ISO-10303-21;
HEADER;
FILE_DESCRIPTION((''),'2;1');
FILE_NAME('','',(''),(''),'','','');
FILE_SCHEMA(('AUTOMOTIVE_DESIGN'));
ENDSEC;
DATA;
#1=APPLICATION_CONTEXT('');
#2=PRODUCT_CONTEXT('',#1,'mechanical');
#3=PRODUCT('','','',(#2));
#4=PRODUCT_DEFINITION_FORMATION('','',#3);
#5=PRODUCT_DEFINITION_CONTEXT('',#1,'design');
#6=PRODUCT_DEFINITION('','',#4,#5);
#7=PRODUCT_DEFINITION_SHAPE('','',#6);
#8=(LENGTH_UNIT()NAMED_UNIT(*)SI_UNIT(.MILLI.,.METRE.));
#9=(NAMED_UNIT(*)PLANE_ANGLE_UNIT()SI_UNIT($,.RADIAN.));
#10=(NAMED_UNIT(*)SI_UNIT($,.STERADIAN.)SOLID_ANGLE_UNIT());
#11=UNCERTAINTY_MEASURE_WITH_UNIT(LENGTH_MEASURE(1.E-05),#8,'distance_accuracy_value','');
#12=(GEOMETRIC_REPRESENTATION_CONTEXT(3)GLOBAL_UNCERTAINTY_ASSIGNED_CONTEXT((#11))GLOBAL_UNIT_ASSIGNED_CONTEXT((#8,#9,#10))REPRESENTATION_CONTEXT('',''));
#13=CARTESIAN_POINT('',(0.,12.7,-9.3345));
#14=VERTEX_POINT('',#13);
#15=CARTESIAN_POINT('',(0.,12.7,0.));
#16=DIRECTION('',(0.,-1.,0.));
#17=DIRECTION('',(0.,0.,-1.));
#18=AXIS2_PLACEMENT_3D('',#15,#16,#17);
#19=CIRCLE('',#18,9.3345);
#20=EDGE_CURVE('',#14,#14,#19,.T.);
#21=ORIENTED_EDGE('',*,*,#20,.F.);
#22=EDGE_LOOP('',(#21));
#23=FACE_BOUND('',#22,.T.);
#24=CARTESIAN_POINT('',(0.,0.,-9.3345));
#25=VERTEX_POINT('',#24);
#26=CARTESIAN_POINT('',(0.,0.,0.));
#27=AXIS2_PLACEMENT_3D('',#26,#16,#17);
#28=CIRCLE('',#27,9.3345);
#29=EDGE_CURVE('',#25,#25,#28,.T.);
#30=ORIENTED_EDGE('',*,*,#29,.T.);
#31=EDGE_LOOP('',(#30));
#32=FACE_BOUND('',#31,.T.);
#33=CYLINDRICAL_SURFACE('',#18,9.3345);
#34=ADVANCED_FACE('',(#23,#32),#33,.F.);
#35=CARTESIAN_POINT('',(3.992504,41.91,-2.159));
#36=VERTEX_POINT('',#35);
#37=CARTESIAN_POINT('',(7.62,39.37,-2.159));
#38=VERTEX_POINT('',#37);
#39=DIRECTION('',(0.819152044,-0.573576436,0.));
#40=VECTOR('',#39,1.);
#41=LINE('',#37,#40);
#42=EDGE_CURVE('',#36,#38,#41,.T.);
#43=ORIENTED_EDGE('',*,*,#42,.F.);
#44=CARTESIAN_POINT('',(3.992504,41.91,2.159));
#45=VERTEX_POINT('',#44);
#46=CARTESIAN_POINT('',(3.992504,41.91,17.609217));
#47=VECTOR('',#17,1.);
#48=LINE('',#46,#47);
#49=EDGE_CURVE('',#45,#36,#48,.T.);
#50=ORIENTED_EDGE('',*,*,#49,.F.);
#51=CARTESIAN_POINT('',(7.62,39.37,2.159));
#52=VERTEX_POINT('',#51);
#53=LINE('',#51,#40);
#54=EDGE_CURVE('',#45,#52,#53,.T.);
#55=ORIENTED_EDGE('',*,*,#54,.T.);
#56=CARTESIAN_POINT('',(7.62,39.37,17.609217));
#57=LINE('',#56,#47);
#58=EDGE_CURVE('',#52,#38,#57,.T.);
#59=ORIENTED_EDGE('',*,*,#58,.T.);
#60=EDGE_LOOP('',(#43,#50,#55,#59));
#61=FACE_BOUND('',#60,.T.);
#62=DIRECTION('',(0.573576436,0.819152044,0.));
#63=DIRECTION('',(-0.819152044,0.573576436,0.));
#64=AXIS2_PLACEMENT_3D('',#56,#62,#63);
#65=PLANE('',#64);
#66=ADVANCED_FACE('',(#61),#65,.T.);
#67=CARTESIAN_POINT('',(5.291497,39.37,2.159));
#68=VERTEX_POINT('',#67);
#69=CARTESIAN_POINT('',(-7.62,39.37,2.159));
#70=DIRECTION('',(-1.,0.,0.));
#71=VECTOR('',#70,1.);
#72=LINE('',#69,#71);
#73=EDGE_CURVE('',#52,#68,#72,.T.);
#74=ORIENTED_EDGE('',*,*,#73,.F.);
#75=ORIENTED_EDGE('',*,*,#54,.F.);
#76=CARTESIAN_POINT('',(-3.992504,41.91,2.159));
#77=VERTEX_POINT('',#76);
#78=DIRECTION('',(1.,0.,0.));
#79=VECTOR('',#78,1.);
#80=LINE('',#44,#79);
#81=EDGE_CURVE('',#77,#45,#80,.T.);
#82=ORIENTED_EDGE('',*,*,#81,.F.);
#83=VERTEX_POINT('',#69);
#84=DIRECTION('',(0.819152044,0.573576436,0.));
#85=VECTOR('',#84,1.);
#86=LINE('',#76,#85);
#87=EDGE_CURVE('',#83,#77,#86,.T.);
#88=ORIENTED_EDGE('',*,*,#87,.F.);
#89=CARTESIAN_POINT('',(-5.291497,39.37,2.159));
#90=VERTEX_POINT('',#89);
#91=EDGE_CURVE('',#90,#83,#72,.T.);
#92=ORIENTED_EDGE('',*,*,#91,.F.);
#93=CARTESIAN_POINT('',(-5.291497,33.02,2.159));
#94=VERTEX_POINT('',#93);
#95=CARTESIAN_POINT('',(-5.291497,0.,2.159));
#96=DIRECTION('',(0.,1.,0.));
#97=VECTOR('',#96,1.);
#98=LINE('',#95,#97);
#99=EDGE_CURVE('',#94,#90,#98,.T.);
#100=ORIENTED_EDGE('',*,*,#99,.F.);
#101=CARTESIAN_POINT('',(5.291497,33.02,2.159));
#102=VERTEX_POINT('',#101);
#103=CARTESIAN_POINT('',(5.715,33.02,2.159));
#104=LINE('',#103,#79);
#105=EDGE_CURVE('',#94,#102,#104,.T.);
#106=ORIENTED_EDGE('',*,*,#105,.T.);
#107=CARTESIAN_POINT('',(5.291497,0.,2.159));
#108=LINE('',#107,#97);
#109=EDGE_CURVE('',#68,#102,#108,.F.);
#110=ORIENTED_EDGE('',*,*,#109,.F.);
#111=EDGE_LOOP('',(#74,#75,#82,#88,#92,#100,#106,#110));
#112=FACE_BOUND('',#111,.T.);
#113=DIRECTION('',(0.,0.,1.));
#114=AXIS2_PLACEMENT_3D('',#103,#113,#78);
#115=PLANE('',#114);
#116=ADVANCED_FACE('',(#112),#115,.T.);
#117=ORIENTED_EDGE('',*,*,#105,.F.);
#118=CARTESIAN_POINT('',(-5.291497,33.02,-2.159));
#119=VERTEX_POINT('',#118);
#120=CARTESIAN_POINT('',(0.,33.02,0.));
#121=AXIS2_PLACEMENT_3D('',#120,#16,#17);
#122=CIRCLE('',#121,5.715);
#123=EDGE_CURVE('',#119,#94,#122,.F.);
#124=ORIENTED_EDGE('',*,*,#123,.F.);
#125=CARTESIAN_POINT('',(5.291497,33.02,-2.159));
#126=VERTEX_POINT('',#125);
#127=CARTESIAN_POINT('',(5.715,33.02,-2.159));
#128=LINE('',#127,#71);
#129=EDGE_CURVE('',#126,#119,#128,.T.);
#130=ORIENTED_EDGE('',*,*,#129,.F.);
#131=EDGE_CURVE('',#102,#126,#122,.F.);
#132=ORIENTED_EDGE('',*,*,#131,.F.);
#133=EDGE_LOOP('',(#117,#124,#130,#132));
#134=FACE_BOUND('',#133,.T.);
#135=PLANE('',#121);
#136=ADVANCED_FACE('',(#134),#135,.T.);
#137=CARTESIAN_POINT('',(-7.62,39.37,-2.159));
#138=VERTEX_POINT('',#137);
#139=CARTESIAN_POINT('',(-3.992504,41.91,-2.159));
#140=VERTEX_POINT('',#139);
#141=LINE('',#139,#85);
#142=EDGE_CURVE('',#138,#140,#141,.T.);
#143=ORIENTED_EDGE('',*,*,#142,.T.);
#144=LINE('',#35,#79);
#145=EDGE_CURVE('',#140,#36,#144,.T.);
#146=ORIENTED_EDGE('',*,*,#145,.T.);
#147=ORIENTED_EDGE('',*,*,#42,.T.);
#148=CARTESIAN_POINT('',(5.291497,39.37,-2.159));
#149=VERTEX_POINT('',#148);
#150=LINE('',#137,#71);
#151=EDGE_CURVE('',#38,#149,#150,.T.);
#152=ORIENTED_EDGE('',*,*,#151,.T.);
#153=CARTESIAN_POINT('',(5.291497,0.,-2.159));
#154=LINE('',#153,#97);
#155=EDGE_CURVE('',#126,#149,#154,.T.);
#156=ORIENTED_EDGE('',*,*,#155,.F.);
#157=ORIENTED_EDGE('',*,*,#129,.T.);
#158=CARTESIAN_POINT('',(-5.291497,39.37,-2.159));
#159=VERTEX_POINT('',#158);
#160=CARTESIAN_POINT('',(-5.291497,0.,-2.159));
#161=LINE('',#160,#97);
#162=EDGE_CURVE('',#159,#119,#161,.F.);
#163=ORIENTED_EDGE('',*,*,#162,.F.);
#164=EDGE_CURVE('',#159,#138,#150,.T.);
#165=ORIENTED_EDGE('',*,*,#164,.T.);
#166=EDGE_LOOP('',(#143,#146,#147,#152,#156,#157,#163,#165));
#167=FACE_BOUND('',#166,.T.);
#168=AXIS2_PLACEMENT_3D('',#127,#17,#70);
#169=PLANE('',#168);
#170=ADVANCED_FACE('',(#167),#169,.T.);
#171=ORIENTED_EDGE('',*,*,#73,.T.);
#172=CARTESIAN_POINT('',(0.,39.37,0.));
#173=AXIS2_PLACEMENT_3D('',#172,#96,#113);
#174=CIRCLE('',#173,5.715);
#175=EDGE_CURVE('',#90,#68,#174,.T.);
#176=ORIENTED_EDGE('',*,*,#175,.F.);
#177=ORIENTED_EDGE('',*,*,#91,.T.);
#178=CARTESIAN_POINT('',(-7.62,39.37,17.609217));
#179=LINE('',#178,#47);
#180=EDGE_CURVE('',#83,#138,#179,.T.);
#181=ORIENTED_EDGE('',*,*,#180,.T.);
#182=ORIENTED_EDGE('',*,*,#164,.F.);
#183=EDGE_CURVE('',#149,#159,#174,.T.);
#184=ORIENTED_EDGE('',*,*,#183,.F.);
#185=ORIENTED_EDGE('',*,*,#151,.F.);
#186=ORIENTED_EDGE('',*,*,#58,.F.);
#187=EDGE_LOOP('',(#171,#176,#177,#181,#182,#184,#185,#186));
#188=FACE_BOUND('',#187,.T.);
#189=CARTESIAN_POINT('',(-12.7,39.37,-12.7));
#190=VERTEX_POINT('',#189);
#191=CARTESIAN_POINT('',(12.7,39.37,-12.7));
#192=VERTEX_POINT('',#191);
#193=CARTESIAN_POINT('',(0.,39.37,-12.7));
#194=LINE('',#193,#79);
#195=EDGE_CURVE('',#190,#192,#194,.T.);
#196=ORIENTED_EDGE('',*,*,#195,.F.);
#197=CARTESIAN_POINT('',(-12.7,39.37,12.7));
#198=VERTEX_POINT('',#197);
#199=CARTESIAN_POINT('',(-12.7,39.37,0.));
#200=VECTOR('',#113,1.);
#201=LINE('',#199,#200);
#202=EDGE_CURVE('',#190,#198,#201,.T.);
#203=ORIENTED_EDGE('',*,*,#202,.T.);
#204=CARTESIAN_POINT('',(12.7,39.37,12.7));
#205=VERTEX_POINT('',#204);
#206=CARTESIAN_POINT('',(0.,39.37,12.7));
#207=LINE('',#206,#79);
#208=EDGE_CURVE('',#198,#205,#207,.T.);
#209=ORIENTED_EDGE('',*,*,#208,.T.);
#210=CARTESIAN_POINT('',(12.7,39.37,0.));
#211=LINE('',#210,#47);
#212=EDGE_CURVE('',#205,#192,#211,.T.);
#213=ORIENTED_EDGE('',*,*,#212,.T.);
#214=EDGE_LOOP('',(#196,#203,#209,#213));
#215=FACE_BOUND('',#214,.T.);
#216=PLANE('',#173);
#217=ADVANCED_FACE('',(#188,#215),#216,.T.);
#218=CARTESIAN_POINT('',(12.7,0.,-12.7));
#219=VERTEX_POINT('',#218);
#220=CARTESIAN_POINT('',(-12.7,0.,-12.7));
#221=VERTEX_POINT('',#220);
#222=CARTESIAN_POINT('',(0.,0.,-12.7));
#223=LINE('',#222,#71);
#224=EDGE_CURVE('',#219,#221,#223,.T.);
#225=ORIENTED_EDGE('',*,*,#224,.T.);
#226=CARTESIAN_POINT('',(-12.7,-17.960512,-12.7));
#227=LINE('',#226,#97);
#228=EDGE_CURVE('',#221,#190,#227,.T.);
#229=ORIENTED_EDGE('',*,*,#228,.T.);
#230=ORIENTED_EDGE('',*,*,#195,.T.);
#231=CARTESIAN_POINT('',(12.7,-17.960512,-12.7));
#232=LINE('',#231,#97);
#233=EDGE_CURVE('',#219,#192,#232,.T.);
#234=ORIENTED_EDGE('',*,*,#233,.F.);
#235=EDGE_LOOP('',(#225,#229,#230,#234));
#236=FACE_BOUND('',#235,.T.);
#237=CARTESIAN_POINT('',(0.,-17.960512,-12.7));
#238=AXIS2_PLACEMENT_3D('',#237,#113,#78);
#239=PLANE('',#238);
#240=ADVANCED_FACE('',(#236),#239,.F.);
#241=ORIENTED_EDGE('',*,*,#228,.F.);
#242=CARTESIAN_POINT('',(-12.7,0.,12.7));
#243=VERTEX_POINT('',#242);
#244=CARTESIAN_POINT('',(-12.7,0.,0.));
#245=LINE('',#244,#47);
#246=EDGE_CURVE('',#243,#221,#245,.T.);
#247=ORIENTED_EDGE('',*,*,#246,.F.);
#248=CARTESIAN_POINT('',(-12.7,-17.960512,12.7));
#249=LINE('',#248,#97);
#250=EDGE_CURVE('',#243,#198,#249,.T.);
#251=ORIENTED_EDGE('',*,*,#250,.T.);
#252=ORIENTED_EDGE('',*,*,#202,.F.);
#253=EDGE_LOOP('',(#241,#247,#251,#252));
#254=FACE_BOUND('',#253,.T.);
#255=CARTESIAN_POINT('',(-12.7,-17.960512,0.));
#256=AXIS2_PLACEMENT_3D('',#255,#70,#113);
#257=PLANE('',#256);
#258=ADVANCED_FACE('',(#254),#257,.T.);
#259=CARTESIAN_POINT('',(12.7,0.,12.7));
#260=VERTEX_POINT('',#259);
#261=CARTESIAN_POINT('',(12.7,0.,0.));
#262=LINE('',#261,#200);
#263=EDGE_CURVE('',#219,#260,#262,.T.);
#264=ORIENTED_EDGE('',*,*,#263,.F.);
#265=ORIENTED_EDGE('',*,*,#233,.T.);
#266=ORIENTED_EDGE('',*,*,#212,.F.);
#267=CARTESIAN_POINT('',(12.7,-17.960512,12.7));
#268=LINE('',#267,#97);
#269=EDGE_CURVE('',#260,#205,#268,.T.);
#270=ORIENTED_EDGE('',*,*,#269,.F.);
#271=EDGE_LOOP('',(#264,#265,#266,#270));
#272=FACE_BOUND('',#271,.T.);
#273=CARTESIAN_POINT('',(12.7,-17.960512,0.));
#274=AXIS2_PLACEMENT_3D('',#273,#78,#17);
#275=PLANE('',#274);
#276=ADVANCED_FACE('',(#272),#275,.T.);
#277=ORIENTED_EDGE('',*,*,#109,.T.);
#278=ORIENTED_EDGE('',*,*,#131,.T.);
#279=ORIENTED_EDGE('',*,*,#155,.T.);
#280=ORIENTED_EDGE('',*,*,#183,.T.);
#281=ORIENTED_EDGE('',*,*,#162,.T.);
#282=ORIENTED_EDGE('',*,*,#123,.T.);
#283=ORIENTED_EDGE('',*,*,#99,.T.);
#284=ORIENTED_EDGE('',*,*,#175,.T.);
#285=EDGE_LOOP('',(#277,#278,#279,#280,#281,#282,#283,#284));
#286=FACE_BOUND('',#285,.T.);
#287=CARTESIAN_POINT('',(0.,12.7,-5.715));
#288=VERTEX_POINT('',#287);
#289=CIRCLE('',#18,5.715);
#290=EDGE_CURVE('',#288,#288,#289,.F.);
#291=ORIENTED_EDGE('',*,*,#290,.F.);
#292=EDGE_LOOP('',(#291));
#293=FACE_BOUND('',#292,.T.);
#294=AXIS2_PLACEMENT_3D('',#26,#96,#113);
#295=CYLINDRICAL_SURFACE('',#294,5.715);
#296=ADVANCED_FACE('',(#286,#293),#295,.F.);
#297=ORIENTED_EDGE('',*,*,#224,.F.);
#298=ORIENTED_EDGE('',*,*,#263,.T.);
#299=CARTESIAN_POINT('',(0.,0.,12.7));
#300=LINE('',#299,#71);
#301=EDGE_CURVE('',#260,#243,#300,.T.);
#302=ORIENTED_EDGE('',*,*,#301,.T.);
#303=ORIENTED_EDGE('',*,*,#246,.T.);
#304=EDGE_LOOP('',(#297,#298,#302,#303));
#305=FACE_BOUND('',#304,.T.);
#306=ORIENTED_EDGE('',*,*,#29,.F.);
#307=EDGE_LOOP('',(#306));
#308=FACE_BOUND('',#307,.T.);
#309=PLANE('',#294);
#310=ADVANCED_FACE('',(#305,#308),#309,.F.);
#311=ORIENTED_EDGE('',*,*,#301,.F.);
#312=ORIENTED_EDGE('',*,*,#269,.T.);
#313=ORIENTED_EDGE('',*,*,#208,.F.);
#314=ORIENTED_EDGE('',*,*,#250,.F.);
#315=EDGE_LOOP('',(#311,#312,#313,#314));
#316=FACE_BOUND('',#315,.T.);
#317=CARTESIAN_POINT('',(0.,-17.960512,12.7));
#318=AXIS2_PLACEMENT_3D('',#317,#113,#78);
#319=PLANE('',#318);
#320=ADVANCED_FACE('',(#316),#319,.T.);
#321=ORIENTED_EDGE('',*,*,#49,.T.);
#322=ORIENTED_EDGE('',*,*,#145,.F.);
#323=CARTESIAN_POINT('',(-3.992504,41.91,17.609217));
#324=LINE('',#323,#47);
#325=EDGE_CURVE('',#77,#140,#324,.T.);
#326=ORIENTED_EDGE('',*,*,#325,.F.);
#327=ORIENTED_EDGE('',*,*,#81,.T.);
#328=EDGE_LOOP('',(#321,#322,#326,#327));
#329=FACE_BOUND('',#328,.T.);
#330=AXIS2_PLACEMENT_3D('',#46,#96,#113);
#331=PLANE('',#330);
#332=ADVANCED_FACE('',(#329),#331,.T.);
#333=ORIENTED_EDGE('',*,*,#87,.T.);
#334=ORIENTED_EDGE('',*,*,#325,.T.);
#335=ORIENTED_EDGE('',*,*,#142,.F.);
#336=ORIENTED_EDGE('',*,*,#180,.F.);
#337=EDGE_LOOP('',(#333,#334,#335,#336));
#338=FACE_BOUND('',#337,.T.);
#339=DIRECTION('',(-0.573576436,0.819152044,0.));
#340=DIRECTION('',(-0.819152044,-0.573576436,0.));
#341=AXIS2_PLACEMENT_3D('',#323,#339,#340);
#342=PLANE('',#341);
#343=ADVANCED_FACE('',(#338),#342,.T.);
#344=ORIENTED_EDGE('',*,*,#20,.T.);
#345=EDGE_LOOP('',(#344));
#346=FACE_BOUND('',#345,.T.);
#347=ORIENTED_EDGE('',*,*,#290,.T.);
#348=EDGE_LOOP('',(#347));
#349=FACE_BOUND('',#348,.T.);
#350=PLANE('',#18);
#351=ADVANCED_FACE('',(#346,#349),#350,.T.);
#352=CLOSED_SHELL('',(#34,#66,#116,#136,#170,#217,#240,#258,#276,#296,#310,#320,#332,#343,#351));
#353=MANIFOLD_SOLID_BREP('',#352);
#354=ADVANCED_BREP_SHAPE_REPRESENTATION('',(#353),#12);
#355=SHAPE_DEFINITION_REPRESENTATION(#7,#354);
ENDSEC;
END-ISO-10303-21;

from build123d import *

# Parameters (mm, degrees)
SKETCH1_R           = 12.7
BOSS_EXTRUDE1_DEPTH = 38.1
SKETCH2_R           = 5.715
CUT_EXTRUDE1_DEPTH  = 43.121134838
SKETCH3_R           = 9.3345
CUT_EXTRUDE2_DEPTH  = 12.7
SKETCH4_R           = 12.7
SKETCH4_R_2         = 5.715
BOSS_EXTRUDE2_DEPTH = 1.27
SKETCH5_W           = 11.43
SKETCH5_H           = 4.318
BOSS_EXTRUDE3_DEPTH = 6.35
BOSS_EXTRUDE4_DEPTH = 4.318
BOSS_EXTRUDE5_START = -39.37
BOSS_EXTRUDE5_DEPTH = 39.37


with BuildPart() as part:
    # Sketch1 → Boss-Extrude1 (new body)
    with BuildSketch(Plane(origin=(0, 0, 0), x_dir=(1, 0, 0), z_dir=(0, 1, 0))):
        with Locations(Location((0, 0, 0), (0, 0, 90))):
            Circle(SKETCH1_R)
    extrude(amount=BOSS_EXTRUDE1_DEPTH)

    # Sketch2 → Cut-Extrude1 (cut, through all)
    with BuildSketch(Plane(origin=(0, 38.1, 0), x_dir=(1, 0, 0), z_dir=(0, 1, 0))):
        with Locations(Location((0, 0, 0), (0, 0, 270))):
            Circle(SKETCH2_R)
    extrude(amount=-CUT_EXTRUDE1_DEPTH, mode=Mode.SUBTRACT)

    # Sketch3 → Cut-Extrude2 (cut)
    with BuildSketch(Plane.XZ):
        with Locations(Location((0, 0, 0), (0, 0, 270))):
            Circle(SKETCH3_R)
    extrude(amount=-CUT_EXTRUDE2_DEPTH, mode=Mode.SUBTRACT)

    # Sketch4 → Boss-Extrude2 (add)
    with BuildSketch(Plane(origin=(0, 38.1, 0), x_dir=(1, 0, 0), z_dir=(0, 1, 0))):
        with Locations(Location((0, 0, 0), (0, 0, 90))):
            Circle(SKETCH4_R)
        with Locations(Location((0, 0, 0), (0, 0, 270))):
            Circle(SKETCH4_R_2, mode=Mode.SUBTRACT)
    extrude(amount=BOSS_EXTRUDE2_DEPTH)

    # Sketch5 → Boss-Extrude3 (add)
    with BuildSketch(Plane(origin=(0, 39.37, 0), x_dir=(1, 0, 0), z_dir=(0, 1, 0))):
        Rectangle(SKETCH5_W, SKETCH5_H)
    extrude(amount=-BOSS_EXTRUDE3_DEPTH)

    # Sketch6 → Boss-Extrude4 (add)
    with BuildSketch(Plane(origin=(0, 0, -2.159), x_dir=(-1, 0, 0), z_dir=(0, 0, -1))):
        Polygon((7.62, 39.37), (-7.62, 39.37), (-3.992504063, 41.91), (3.992504063, 41.91), align=None)
    extrude(amount=-BOSS_EXTRUDE4_DEPTH)

    # Sketch7 → Boss-Extrude5 (add)
    with BuildSketch(Plane(origin=(0, 39.37, 0), x_dir=(1, 0, 0), z_dir=(0, 1, 0)).offset(BOSS_EXTRUDE5_START)):
        with BuildLine():
            ThreePointArc((12.7, 0), (8.980256115, -8.980256127), (-1.7e-08, -12.7))
            Line((-1.7e-08, -12.7), (12.7, -12.7))
            Line((12.7, -12.7), (12.7, 0))
        make_face()
        with BuildLine():
            ThreePointArc((-1.7e-08, -12.7), (-8.980256127, -8.980256115), (-12.7, 0))
            Line((-12.7, 0), (-12.7, -12.7))
            Line((-12.7, -12.7), (-1.7e-08, -12.7))
        make_face()
        with BuildLine():
            Line((-12.7, 12.7), (-12.7, 0))
            ThreePointArc((-12.7, 0), (-8.980256122, 8.980256121), (-1e-09, 12.7))
            Line((-1e-09, 12.7), (-12.7, 12.7))
        make_face()
        with BuildLine():
            Line((12.7, 12.7), (-1e-09, 12.7))
            ThreePointArc((-1e-09, 12.7), (8.980256121, 8.980256122), (12.7, 0))
            Line((12.7, 0), (12.7, 12.7))
        make_face()
    extrude(amount=BOSS_EXTRUDE5_DEPTH)


solid = part.part
